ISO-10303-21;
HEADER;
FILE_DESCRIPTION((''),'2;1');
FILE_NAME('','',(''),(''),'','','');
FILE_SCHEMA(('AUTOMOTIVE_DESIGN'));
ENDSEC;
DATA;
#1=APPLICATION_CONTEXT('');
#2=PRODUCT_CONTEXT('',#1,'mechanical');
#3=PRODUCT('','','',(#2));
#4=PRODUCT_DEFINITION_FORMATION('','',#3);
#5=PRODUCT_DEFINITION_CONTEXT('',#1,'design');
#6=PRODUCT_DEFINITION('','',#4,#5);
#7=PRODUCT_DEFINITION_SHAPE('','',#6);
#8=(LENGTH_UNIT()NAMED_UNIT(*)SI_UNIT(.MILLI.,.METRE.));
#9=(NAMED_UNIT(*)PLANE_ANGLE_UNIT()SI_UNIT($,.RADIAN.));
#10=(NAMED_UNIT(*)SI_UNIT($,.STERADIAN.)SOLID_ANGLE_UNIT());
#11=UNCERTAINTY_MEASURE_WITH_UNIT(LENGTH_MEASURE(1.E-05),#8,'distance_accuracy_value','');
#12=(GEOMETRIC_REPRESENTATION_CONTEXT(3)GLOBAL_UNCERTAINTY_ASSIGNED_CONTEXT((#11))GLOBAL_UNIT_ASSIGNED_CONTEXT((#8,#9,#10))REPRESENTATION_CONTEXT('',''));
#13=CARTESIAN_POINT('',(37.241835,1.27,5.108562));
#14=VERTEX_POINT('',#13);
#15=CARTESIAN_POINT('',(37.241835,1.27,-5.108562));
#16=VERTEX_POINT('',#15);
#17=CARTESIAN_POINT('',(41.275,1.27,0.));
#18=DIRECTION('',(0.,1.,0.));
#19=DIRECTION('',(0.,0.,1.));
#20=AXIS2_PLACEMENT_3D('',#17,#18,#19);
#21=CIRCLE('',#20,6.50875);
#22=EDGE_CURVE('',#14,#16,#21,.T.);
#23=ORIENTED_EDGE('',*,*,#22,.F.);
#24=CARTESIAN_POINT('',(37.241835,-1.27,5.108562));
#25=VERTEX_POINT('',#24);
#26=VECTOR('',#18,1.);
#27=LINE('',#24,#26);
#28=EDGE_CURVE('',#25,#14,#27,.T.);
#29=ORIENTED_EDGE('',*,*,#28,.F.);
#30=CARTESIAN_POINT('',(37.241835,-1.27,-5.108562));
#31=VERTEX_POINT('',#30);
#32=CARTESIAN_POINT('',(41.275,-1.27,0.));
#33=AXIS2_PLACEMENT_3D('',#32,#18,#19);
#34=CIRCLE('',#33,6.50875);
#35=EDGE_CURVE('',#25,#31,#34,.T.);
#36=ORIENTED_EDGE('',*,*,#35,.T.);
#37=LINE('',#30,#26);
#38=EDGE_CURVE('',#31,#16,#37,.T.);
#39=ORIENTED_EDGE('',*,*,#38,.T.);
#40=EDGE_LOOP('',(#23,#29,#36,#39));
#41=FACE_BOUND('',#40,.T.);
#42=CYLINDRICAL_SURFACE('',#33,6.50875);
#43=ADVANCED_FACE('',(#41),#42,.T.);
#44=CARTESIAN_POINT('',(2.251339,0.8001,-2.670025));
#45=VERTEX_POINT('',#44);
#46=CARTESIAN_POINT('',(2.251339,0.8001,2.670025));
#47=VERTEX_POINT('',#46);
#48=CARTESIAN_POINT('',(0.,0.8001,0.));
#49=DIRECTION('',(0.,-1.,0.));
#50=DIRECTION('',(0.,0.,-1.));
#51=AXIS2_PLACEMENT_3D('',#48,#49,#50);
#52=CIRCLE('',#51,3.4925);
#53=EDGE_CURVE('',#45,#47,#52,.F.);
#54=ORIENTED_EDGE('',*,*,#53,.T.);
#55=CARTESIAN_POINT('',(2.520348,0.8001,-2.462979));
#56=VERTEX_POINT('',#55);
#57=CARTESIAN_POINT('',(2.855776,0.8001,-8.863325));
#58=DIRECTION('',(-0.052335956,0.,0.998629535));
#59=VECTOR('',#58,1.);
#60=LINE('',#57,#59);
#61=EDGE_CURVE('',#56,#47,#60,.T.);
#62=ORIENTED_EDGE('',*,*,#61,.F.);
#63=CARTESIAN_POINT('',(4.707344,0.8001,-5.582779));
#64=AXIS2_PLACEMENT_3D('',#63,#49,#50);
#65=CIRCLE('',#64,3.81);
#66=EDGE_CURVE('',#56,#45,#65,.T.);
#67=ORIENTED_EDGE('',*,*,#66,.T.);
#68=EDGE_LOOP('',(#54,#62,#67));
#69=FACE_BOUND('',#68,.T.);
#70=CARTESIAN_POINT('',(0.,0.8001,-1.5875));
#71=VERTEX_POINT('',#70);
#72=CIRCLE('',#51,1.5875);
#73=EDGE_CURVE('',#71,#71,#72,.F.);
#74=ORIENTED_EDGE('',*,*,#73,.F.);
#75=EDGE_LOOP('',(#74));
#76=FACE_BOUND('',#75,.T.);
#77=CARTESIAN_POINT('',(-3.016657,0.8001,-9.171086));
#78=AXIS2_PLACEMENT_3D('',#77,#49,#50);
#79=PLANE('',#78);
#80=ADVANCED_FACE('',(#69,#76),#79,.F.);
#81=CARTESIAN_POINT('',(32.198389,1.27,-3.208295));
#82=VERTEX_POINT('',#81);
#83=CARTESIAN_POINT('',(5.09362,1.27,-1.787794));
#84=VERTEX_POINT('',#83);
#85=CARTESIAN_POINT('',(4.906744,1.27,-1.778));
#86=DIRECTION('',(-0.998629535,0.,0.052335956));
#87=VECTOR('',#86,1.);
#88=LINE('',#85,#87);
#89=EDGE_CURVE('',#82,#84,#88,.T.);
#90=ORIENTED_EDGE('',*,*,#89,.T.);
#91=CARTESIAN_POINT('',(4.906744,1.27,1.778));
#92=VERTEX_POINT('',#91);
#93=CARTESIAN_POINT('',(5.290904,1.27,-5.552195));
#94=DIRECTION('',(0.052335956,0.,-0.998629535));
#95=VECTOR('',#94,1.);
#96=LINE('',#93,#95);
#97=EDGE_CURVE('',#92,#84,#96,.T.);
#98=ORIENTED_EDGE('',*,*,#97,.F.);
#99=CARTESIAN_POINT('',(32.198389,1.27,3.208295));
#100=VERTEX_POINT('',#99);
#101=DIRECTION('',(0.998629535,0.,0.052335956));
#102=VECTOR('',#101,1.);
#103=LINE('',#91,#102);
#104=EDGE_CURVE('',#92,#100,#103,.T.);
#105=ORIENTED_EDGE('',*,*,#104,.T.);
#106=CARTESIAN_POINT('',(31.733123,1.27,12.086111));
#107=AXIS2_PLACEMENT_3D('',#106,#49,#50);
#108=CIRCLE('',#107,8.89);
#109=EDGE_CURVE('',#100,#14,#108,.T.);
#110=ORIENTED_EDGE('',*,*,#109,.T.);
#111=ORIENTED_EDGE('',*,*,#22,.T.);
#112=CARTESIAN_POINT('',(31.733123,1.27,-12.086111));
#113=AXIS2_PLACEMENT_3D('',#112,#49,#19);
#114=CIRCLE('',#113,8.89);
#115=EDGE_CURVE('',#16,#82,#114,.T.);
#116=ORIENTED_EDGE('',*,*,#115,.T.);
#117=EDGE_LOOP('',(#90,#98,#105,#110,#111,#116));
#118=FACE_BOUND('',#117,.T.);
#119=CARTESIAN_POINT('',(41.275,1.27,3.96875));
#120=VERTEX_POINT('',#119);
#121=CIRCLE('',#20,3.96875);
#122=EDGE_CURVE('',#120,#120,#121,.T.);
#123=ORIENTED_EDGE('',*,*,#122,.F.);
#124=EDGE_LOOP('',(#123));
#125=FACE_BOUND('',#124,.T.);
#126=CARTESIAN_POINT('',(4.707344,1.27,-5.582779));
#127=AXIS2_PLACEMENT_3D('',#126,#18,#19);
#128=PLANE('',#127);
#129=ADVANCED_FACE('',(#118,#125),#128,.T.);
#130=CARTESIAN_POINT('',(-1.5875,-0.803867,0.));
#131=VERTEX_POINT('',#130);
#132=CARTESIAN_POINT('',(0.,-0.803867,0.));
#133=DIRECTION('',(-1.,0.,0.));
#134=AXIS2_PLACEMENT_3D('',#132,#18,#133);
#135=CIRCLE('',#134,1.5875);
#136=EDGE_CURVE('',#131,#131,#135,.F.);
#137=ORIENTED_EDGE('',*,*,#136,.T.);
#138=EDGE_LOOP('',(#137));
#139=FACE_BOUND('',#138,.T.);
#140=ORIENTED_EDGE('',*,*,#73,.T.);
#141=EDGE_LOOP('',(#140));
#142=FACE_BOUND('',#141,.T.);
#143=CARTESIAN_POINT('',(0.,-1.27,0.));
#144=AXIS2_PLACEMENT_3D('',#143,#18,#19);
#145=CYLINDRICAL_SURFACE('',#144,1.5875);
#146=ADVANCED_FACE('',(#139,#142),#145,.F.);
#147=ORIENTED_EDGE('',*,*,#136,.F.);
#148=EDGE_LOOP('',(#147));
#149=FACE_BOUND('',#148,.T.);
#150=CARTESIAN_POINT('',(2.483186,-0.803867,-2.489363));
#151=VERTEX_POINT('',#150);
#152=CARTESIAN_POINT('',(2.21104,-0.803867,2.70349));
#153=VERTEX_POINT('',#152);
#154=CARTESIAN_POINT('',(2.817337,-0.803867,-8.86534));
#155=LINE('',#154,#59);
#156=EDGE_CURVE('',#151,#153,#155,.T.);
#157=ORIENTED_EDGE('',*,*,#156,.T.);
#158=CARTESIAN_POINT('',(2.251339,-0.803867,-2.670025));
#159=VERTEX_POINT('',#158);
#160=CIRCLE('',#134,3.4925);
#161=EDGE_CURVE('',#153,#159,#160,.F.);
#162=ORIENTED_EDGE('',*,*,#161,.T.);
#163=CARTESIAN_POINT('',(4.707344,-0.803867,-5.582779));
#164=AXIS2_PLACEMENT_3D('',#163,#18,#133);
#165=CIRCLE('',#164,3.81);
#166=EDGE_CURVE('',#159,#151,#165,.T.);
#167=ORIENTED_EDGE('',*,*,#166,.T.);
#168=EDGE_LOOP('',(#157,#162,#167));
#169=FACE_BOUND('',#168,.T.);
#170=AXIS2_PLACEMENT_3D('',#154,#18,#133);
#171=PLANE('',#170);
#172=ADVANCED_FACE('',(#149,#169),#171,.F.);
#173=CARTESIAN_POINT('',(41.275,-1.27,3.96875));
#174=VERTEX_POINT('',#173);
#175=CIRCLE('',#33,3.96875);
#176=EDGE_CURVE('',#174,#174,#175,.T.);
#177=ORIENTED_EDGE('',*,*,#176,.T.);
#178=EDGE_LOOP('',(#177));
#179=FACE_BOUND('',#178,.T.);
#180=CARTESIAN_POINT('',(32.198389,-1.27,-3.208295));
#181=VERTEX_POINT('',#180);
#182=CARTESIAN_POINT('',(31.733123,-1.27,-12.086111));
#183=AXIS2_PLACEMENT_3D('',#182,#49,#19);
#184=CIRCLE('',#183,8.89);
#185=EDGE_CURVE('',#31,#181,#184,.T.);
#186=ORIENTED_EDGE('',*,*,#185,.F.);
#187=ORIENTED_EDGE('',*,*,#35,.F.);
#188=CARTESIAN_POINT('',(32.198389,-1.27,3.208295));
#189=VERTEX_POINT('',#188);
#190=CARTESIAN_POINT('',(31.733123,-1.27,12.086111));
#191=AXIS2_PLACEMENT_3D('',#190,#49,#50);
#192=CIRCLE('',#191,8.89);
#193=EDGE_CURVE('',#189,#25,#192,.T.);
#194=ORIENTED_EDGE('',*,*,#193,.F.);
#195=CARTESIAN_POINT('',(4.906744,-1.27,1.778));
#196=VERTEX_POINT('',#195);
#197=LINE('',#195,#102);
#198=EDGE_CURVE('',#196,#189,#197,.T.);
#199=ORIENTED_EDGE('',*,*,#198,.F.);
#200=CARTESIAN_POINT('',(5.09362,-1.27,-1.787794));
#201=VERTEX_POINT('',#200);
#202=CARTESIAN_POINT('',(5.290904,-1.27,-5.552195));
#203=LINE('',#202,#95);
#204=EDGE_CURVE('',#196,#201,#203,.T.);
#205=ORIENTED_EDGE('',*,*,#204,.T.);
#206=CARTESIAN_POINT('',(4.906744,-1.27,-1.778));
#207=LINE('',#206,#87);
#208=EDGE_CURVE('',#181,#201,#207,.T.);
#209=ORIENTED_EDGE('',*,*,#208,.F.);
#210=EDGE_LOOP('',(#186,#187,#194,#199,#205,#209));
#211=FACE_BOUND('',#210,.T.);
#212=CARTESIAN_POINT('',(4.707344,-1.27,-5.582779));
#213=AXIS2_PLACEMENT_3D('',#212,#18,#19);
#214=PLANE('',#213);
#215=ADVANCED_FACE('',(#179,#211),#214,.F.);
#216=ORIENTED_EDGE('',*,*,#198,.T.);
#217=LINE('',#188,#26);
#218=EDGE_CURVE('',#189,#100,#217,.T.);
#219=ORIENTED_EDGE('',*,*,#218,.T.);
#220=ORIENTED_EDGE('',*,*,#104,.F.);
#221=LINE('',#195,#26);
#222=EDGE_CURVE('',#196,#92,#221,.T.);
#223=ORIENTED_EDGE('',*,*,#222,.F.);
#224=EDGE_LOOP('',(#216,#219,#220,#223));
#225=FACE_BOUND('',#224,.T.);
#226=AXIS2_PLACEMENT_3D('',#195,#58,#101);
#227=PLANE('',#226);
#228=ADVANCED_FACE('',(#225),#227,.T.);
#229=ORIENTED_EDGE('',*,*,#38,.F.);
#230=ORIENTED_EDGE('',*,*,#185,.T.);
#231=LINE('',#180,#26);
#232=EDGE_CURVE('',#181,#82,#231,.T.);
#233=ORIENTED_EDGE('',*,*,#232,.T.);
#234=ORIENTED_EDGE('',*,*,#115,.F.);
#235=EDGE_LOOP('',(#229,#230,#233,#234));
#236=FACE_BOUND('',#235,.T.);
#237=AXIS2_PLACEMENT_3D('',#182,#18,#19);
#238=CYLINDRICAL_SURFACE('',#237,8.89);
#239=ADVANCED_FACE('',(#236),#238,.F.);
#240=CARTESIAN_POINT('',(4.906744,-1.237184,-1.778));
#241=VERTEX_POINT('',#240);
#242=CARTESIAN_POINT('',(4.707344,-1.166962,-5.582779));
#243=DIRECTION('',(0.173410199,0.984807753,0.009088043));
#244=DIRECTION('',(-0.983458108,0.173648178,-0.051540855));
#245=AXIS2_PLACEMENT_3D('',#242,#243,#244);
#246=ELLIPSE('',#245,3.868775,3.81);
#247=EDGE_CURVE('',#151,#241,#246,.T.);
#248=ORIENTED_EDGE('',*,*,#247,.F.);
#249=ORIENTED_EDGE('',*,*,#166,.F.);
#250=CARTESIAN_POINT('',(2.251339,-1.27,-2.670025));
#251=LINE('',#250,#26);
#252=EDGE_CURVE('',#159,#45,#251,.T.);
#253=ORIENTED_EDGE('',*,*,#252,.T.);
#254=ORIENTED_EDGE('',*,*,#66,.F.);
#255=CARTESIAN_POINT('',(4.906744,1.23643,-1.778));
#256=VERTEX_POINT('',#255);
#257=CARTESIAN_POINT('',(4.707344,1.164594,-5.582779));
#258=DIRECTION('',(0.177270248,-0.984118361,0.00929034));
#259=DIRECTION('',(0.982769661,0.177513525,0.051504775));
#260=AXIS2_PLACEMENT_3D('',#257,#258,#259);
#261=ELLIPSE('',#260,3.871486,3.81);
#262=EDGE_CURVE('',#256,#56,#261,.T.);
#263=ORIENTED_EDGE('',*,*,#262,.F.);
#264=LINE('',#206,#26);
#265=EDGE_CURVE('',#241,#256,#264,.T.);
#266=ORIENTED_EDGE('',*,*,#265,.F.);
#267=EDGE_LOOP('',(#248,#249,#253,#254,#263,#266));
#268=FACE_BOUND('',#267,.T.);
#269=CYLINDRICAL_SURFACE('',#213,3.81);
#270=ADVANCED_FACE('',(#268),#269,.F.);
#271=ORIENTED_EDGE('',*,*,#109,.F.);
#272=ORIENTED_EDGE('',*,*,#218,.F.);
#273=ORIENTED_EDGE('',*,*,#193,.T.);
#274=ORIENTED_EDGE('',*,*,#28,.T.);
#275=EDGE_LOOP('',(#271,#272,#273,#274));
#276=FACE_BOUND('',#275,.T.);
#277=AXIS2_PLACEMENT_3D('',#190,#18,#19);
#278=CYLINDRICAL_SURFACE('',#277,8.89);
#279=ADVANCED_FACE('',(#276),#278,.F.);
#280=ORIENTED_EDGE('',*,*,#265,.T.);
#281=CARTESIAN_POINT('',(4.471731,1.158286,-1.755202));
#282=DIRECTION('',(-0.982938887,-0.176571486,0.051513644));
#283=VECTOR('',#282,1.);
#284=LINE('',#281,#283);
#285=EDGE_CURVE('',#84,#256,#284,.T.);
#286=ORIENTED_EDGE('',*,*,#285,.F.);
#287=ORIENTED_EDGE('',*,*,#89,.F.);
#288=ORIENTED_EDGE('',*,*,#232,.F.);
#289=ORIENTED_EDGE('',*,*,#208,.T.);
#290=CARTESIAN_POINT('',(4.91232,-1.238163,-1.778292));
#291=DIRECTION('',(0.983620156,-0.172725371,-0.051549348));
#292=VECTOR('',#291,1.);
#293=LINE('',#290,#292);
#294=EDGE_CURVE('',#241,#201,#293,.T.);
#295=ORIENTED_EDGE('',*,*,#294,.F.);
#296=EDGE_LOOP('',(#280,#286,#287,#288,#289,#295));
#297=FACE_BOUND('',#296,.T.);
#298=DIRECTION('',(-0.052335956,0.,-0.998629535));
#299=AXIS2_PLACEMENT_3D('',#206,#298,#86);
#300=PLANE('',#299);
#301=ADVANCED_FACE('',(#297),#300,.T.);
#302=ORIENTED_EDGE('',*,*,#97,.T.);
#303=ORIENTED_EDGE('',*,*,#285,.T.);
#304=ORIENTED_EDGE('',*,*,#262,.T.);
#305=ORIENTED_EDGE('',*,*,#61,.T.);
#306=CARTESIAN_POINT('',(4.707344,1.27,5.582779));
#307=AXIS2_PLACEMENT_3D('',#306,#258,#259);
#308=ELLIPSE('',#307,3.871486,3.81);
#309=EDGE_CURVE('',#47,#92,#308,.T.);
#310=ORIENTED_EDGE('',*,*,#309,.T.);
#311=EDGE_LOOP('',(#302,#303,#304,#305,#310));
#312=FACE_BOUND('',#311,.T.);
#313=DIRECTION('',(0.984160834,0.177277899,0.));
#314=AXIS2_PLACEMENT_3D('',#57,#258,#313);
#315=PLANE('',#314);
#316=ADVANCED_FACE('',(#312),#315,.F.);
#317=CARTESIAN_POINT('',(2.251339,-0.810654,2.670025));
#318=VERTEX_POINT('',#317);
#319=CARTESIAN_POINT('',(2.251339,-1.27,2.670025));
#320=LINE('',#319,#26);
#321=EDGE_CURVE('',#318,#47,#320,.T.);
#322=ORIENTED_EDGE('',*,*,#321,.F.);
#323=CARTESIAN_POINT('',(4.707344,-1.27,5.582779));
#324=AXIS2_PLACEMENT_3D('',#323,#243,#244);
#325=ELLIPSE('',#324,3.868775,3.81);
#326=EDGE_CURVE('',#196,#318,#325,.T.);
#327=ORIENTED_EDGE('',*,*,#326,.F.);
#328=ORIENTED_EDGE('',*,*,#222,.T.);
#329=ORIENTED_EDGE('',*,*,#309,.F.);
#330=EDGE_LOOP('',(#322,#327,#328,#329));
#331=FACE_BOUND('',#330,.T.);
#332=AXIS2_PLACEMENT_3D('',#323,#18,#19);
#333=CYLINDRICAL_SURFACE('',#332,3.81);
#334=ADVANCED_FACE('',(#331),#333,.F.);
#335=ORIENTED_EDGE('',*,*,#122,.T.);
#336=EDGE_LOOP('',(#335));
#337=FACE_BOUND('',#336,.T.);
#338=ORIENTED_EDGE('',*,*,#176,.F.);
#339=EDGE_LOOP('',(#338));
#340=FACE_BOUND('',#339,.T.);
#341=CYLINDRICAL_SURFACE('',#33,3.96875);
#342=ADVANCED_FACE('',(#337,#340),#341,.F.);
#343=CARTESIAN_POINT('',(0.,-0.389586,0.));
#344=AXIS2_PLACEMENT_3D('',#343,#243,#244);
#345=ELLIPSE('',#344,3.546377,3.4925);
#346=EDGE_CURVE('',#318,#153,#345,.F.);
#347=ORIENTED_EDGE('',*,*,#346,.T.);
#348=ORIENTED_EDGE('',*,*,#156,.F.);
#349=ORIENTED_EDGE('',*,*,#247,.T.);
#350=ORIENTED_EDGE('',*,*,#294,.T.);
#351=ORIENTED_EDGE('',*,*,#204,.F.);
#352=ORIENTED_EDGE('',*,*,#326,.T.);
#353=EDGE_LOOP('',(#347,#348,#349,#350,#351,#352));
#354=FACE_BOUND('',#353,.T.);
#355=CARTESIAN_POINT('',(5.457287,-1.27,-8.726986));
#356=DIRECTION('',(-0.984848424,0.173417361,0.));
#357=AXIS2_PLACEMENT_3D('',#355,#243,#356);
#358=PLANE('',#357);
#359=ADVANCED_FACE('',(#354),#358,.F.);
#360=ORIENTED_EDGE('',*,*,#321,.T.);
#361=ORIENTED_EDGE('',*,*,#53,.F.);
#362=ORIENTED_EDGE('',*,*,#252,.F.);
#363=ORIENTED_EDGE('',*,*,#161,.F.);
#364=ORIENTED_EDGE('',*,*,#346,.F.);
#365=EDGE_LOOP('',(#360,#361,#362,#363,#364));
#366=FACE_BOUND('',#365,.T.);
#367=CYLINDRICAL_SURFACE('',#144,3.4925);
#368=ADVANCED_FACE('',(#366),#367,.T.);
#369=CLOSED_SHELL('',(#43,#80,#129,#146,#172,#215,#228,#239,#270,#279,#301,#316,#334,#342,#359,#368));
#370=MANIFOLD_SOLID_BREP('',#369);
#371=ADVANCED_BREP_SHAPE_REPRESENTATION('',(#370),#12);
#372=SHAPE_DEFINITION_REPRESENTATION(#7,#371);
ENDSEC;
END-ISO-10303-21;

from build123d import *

# Parameters (mm, degrees)
BOSS_EXTRUDE1_DEPTH      = 1.27
BOSS_EXTRUDE1_DEPTH_BACK = 1.27
SKETCH1_R                = 1.5875
SKETCH1_R_2              = 3.96875
CUT_EXTRUDE1_DEPTH       = 49.548015703
CUT_EXTRUDE1_DEPTH_BACK  = 49.548015703
CUT_EXTRUDE2_DEPTH       = 49.548015703
CUT_EXTRUDE2_DEPTH_BACK  = 49.548015703


with BuildPart() as part:
    # Sketch1 → Boss-Extrude1 (new, two sides: drawn at the far end of the back side and taken through both)
    with BuildSketch(Plane(origin=(0, 0, 0), x_dir=(1, 0, 0), z_dir=(0, 1, 0)).offset(-BOSS_EXTRUDE1_DEPTH_BACK)):
        with BuildLine():
            Line((4.906744273, 1.778), (32.198389451, 3.208294517))
            ThreePointArc((32.198389451, 3.208294517), (34.867586322, 3.767022283), (37.24183541, 5.108562416))
            ThreePointArc((37.24183541, 5.108562416), (47.78375, 0), (37.24183541, -5.108562416))
            ThreePointArc((37.24183541, -5.108562416), (34.867586322, -3.767022283), (32.198389451, -3.208294517))
            Line((32.198389451, -3.208294517), (4.906744273, -1.778))
            ThreePointArc((4.906744273, -1.778), (3.494086568, -1.971116067), (2.251338568, -2.670024513))
            ThreePointArc((2.251338568, -2.670024513), (-3.4925, 0), (2.251338568, 2.670024513))
            ThreePointArc((2.251338568, 2.670024513), (3.494086568, 1.971116067), (4.906744273, 1.778))
        make_face()
        Circle(SKETCH1_R, mode=Mode.SUBTRACT)
        with Locations((41.275, 0)):
            Circle(SKETCH1_R_2, mode=Mode.SUBTRACT)
    extrude(amount=BOSS_EXTRUDE1_DEPTH + BOSS_EXTRUDE1_DEPTH_BACK)

    # Sketch2 → Cut-Extrude1 (cut, two sides: drawn at the far end of the back side and taken through both)
    with BuildSketch(Plane(origin=(-0.079485975, 0, 1.516682746), x_dir=(0.9986295347545739, 0, 0.05233595624294426), z_dir=(-0.05233595624294425, 0, 0.9986295347545738)).offset(-CUT_EXTRUDE1_DEPTH_BACK)):
        Polygon((-3.4925, 0.8001), (2.387991473, 0.8001), (4.99307308, 1.27), (4.99307308, 1.856442967), (-4.865374357, 1.856442967), align=None)
    extrude(amount=CUT_EXTRUDE1_DEPTH + CUT_EXTRUDE1_DEPTH_BACK, mode=Mode.SUBTRACT)

    # Sketch3 → Cut-Extrude2 (cut, two sides: drawn at the far end of the back side and taken through both)
    with BuildSketch(Plane(origin=(-0.079485975, 0, 1.516682746), x_dir=(0.9986295347545739, 0, 0.05233595624294426), z_dir=(-0.05233595624294425, 0, 0.9986295347545738)).offset(-CUT_EXTRUDE2_DEPTH_BACK)):
        Polygon((4.99307308, -1.27), (2.3495, -0.80386674), (-3.4925, -0.80386674), (-4.094294219, -2.202797579), (4.99307308, -2.202797579), align=None)
    extrude(amount=CUT_EXTRUDE2_DEPTH + CUT_EXTRUDE2_DEPTH_BACK, mode=Mode.SUBTRACT)


solid = part.part
